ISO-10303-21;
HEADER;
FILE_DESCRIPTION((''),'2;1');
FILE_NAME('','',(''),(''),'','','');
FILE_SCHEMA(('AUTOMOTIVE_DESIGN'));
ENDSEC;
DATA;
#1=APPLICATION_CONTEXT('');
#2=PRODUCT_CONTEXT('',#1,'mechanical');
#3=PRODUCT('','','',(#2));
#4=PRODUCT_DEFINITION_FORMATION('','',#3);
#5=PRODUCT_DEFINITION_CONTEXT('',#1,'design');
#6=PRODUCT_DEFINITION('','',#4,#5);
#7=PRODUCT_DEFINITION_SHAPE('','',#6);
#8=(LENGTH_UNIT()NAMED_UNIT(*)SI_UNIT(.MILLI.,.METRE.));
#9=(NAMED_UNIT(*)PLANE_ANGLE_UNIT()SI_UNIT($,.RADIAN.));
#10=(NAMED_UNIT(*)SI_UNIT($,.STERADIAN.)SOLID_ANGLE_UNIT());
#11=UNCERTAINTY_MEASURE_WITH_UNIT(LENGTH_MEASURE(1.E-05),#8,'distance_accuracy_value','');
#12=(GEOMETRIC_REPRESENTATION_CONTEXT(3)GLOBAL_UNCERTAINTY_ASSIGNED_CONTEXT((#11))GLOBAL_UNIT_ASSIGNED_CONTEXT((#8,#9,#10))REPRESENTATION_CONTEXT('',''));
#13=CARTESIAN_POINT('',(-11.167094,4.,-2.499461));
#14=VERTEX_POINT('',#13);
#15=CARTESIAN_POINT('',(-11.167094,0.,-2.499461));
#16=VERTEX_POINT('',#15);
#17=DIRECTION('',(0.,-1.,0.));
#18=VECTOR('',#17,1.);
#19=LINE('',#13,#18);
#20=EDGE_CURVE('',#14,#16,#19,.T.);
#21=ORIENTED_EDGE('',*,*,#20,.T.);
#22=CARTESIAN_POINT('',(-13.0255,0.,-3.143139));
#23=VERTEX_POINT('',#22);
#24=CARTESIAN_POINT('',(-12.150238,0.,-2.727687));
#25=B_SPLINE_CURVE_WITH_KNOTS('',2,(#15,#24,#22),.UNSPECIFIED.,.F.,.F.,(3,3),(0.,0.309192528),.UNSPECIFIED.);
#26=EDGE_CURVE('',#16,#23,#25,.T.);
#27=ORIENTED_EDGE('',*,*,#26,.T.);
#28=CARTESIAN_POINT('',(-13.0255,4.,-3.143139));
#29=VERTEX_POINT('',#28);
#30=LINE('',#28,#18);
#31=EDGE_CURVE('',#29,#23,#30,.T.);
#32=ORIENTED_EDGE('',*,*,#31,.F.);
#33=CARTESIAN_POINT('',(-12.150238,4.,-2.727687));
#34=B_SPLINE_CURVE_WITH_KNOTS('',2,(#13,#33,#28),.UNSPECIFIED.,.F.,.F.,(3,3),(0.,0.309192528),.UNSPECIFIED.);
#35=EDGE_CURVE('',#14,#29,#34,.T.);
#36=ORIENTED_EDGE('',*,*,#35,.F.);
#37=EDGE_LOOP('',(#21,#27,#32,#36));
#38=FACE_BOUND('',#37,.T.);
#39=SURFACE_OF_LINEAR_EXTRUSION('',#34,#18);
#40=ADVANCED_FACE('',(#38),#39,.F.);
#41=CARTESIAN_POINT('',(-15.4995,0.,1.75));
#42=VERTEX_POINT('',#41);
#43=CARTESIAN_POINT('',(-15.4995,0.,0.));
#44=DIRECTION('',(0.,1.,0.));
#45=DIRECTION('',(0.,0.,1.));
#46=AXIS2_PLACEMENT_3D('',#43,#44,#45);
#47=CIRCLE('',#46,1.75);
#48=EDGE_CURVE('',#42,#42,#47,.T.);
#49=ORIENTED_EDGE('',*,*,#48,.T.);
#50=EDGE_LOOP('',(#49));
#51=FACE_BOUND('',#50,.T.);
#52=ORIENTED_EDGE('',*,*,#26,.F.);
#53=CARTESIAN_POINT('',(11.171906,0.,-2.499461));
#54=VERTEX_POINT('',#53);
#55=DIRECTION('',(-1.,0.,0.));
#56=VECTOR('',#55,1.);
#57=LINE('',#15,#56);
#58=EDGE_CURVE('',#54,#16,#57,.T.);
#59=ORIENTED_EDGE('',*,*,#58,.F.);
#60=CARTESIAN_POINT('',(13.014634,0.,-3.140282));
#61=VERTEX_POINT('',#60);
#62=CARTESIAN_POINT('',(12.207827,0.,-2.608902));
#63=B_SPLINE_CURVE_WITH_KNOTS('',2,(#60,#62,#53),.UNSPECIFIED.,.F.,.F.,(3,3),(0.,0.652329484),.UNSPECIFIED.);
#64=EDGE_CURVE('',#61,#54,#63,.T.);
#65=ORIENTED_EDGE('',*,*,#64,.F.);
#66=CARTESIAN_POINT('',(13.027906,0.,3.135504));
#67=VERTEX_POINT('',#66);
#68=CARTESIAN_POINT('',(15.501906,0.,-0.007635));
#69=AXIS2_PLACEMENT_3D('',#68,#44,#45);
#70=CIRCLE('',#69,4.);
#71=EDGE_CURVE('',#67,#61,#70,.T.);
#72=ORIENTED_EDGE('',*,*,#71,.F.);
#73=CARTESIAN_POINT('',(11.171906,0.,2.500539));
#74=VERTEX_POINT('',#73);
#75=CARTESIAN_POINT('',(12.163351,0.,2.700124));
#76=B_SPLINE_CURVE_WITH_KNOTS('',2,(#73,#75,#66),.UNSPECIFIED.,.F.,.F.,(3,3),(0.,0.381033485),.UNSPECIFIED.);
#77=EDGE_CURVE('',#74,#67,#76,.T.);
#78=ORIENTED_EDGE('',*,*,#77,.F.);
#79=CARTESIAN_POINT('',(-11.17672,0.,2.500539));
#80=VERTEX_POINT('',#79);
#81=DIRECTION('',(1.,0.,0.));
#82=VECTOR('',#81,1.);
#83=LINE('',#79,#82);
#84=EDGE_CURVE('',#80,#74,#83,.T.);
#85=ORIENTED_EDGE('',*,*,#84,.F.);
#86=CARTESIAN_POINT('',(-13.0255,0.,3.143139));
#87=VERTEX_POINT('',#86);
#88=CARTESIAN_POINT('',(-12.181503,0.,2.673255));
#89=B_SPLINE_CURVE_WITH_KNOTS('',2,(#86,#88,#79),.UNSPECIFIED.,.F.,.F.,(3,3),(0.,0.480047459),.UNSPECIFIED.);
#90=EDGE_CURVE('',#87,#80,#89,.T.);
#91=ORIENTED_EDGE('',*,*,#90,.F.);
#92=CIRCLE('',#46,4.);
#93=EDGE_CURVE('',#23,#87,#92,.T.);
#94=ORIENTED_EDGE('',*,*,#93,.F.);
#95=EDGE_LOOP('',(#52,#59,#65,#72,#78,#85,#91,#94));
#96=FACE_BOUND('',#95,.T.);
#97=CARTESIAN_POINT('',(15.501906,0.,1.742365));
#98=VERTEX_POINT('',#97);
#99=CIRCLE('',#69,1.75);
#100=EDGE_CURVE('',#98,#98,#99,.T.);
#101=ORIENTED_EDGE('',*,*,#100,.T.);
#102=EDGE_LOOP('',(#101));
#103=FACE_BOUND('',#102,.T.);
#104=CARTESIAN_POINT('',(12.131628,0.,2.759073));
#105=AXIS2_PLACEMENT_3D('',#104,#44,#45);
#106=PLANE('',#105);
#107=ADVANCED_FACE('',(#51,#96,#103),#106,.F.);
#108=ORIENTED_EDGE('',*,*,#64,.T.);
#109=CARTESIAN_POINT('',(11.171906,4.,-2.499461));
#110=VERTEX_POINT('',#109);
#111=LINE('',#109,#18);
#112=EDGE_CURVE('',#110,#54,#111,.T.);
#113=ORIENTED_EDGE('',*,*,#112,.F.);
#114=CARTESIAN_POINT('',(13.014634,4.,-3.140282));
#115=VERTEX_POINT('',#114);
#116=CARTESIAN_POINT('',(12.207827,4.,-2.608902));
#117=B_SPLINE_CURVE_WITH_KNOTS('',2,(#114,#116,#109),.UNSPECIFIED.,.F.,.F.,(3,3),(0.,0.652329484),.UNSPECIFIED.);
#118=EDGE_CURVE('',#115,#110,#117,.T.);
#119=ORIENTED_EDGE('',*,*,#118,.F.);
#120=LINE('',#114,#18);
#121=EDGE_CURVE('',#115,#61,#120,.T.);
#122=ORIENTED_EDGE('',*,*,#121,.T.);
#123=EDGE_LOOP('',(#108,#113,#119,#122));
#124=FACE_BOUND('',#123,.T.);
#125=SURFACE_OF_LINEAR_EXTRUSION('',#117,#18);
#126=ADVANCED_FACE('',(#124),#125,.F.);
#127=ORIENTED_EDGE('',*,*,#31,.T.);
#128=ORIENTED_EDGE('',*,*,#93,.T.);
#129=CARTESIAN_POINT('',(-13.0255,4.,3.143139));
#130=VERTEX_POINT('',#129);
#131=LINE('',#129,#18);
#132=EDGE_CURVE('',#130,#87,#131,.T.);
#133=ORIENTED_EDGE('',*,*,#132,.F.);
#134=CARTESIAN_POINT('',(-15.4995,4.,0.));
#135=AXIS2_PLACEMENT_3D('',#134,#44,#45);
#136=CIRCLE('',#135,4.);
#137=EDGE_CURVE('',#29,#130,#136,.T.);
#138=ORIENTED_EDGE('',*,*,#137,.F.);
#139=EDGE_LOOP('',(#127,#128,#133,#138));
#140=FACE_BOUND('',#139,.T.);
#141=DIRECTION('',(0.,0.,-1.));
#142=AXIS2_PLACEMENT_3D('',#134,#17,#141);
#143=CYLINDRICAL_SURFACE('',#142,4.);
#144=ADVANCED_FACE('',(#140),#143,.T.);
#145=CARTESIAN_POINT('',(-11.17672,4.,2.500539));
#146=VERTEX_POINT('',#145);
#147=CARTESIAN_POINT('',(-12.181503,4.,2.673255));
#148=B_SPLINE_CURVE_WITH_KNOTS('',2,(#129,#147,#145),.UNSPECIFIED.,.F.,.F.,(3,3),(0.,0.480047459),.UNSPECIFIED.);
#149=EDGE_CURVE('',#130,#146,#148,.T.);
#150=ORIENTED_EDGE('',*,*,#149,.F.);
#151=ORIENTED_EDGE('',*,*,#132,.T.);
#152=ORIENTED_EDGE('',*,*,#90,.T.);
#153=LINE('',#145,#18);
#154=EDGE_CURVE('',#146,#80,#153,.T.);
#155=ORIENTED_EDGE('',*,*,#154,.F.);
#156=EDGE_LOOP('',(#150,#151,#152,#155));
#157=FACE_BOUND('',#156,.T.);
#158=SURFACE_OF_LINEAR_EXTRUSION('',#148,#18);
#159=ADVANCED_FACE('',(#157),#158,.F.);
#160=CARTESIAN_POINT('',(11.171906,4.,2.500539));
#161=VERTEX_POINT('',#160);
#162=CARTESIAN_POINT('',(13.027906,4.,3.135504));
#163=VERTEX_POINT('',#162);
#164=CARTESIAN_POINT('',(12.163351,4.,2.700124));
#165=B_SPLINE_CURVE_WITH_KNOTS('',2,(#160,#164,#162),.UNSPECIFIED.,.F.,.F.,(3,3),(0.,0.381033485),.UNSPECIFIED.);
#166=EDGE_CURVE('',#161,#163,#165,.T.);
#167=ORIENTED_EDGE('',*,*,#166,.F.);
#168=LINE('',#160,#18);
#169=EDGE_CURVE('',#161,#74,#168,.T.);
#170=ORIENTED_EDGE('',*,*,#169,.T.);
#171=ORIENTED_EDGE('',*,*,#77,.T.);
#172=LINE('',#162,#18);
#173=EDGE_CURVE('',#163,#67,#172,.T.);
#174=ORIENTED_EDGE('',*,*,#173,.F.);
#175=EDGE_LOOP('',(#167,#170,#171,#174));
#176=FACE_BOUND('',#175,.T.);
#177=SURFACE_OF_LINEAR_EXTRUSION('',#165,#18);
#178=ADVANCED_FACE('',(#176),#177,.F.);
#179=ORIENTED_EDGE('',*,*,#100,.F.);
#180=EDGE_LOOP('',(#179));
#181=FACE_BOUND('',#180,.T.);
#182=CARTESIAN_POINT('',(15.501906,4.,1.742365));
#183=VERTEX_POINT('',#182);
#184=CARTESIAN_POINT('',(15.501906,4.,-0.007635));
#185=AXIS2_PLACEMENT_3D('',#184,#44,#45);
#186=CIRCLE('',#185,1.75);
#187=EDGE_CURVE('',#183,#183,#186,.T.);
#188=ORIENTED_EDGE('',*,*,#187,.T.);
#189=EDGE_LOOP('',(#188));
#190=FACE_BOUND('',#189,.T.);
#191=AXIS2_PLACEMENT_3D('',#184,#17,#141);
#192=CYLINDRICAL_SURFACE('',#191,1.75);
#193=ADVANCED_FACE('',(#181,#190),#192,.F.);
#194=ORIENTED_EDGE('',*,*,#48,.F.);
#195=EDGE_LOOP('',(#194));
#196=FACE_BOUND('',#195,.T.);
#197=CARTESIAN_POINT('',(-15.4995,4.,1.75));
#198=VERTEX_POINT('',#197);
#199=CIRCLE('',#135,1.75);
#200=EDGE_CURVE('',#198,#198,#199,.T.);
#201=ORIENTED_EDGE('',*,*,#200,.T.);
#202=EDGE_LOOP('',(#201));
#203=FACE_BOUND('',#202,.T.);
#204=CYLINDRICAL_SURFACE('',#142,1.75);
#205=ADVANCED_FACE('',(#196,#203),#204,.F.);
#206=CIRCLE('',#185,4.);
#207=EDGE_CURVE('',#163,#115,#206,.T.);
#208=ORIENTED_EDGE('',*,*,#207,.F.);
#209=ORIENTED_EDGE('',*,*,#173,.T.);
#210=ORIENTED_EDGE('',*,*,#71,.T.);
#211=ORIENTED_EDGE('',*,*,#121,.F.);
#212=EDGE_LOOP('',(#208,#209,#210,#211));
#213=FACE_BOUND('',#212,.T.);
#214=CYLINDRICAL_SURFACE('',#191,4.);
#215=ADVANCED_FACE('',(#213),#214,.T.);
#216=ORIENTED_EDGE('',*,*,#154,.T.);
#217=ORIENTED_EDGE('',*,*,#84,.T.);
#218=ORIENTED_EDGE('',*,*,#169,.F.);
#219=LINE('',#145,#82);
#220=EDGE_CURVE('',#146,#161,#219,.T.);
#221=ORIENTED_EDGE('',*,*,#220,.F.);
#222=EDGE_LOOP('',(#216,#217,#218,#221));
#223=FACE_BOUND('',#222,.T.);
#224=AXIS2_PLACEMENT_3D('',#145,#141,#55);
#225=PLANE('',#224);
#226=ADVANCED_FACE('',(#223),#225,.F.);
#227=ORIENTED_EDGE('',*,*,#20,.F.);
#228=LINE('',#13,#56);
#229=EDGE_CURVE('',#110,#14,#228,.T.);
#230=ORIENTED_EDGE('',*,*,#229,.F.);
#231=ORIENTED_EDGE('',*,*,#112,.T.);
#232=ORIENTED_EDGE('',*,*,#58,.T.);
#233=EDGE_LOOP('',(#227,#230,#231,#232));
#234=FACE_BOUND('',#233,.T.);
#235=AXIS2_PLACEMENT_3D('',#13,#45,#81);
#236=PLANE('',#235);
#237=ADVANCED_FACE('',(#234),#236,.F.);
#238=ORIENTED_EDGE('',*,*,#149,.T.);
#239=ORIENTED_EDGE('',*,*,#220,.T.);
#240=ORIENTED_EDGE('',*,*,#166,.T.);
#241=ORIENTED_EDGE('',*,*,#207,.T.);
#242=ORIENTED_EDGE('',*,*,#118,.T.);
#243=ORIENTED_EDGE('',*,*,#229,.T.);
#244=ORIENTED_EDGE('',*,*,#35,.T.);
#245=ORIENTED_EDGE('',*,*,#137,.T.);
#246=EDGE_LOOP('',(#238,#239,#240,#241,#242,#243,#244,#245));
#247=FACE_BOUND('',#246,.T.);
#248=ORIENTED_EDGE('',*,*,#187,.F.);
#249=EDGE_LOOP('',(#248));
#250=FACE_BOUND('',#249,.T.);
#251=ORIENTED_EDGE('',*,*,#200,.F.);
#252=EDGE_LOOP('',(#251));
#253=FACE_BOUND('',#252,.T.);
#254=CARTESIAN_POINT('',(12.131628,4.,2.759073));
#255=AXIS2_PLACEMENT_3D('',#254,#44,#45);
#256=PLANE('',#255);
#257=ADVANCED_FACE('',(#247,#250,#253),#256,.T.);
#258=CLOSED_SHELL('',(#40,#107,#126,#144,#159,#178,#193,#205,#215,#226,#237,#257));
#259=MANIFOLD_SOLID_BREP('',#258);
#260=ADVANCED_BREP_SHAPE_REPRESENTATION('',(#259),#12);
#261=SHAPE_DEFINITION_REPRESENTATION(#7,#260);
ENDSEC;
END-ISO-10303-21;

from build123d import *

# Parameters (mm, degrees)
CROQUIS1_R              = 1.75
SALIENTE_EXTRUIR1_DEPTH = 4


with BuildPart() as part:
    # Croquis1 → Saliente-Extruir1 (new body)
    with BuildSketch(Plane(origin=(0, 0, 0), x_dir=(1, 0, 0), z_dir=(0, 1, 0))):
        with BuildLine():
            Line((-11.167093962, 2.499461471), (11.171906038, 2.499461471))
            add(Edge.make_bspline(
                [(11.171906038, 2.499461471), (12.207826719, 2.608902185), (13.014633598, 3.14028172)],
                knots=[0, 0, 0, 0.652329484, 0.652329484, 0.652329484], degree=2))
            ThreePointArc((13.014633598, 3.14028172), (19.501897093, 0.016094387), (13.027906038, -3.135504249))
            add(Edge.make_bspline(
                [(11.171906038, -2.500538529), (12.163350933, -2.700124356), (13.027906038, -3.135504249)],
                knots=[0, 0, 0, 0.381033485, 0.381033485, 0.381033485], degree=2))
            Line((11.171906038, -2.500538529), (-11.176720188, -2.500538529))
            add(Edge.make_bspline(
                [(-11.176720188, -2.500538529), (-12.181502866, -2.673255137), (-13.0255, -3.143139195)],
                knots=[0, 0, 0, 0.480047459, 0.480047459, 0.480047459], degree=2))
            ThreePointArc((-13.0255, -3.143139195), (-19.4995, 0), (-13.0255, 3.143139195))
            add(Edge.make_bspline(
                [(-11.167093962, 2.499461471), (-12.150237992, 2.727686633), (-13.0255, 3.143139195)],
                knots=[0, 0, 0, 0.309192528, 0.309192528, 0.309192528], degree=2))
        make_face()
        with Locations((-15.4995, 0)):
            Circle(CROQUIS1_R, mode=Mode.SUBTRACT)
        with Locations((15.501906038, 0.007634946)):
            Circle(CROQUIS1_R, mode=Mode.SUBTRACT)
    extrude(amount=SALIENTE_EXTRUIR1_DEPTH)


solid = part.part
